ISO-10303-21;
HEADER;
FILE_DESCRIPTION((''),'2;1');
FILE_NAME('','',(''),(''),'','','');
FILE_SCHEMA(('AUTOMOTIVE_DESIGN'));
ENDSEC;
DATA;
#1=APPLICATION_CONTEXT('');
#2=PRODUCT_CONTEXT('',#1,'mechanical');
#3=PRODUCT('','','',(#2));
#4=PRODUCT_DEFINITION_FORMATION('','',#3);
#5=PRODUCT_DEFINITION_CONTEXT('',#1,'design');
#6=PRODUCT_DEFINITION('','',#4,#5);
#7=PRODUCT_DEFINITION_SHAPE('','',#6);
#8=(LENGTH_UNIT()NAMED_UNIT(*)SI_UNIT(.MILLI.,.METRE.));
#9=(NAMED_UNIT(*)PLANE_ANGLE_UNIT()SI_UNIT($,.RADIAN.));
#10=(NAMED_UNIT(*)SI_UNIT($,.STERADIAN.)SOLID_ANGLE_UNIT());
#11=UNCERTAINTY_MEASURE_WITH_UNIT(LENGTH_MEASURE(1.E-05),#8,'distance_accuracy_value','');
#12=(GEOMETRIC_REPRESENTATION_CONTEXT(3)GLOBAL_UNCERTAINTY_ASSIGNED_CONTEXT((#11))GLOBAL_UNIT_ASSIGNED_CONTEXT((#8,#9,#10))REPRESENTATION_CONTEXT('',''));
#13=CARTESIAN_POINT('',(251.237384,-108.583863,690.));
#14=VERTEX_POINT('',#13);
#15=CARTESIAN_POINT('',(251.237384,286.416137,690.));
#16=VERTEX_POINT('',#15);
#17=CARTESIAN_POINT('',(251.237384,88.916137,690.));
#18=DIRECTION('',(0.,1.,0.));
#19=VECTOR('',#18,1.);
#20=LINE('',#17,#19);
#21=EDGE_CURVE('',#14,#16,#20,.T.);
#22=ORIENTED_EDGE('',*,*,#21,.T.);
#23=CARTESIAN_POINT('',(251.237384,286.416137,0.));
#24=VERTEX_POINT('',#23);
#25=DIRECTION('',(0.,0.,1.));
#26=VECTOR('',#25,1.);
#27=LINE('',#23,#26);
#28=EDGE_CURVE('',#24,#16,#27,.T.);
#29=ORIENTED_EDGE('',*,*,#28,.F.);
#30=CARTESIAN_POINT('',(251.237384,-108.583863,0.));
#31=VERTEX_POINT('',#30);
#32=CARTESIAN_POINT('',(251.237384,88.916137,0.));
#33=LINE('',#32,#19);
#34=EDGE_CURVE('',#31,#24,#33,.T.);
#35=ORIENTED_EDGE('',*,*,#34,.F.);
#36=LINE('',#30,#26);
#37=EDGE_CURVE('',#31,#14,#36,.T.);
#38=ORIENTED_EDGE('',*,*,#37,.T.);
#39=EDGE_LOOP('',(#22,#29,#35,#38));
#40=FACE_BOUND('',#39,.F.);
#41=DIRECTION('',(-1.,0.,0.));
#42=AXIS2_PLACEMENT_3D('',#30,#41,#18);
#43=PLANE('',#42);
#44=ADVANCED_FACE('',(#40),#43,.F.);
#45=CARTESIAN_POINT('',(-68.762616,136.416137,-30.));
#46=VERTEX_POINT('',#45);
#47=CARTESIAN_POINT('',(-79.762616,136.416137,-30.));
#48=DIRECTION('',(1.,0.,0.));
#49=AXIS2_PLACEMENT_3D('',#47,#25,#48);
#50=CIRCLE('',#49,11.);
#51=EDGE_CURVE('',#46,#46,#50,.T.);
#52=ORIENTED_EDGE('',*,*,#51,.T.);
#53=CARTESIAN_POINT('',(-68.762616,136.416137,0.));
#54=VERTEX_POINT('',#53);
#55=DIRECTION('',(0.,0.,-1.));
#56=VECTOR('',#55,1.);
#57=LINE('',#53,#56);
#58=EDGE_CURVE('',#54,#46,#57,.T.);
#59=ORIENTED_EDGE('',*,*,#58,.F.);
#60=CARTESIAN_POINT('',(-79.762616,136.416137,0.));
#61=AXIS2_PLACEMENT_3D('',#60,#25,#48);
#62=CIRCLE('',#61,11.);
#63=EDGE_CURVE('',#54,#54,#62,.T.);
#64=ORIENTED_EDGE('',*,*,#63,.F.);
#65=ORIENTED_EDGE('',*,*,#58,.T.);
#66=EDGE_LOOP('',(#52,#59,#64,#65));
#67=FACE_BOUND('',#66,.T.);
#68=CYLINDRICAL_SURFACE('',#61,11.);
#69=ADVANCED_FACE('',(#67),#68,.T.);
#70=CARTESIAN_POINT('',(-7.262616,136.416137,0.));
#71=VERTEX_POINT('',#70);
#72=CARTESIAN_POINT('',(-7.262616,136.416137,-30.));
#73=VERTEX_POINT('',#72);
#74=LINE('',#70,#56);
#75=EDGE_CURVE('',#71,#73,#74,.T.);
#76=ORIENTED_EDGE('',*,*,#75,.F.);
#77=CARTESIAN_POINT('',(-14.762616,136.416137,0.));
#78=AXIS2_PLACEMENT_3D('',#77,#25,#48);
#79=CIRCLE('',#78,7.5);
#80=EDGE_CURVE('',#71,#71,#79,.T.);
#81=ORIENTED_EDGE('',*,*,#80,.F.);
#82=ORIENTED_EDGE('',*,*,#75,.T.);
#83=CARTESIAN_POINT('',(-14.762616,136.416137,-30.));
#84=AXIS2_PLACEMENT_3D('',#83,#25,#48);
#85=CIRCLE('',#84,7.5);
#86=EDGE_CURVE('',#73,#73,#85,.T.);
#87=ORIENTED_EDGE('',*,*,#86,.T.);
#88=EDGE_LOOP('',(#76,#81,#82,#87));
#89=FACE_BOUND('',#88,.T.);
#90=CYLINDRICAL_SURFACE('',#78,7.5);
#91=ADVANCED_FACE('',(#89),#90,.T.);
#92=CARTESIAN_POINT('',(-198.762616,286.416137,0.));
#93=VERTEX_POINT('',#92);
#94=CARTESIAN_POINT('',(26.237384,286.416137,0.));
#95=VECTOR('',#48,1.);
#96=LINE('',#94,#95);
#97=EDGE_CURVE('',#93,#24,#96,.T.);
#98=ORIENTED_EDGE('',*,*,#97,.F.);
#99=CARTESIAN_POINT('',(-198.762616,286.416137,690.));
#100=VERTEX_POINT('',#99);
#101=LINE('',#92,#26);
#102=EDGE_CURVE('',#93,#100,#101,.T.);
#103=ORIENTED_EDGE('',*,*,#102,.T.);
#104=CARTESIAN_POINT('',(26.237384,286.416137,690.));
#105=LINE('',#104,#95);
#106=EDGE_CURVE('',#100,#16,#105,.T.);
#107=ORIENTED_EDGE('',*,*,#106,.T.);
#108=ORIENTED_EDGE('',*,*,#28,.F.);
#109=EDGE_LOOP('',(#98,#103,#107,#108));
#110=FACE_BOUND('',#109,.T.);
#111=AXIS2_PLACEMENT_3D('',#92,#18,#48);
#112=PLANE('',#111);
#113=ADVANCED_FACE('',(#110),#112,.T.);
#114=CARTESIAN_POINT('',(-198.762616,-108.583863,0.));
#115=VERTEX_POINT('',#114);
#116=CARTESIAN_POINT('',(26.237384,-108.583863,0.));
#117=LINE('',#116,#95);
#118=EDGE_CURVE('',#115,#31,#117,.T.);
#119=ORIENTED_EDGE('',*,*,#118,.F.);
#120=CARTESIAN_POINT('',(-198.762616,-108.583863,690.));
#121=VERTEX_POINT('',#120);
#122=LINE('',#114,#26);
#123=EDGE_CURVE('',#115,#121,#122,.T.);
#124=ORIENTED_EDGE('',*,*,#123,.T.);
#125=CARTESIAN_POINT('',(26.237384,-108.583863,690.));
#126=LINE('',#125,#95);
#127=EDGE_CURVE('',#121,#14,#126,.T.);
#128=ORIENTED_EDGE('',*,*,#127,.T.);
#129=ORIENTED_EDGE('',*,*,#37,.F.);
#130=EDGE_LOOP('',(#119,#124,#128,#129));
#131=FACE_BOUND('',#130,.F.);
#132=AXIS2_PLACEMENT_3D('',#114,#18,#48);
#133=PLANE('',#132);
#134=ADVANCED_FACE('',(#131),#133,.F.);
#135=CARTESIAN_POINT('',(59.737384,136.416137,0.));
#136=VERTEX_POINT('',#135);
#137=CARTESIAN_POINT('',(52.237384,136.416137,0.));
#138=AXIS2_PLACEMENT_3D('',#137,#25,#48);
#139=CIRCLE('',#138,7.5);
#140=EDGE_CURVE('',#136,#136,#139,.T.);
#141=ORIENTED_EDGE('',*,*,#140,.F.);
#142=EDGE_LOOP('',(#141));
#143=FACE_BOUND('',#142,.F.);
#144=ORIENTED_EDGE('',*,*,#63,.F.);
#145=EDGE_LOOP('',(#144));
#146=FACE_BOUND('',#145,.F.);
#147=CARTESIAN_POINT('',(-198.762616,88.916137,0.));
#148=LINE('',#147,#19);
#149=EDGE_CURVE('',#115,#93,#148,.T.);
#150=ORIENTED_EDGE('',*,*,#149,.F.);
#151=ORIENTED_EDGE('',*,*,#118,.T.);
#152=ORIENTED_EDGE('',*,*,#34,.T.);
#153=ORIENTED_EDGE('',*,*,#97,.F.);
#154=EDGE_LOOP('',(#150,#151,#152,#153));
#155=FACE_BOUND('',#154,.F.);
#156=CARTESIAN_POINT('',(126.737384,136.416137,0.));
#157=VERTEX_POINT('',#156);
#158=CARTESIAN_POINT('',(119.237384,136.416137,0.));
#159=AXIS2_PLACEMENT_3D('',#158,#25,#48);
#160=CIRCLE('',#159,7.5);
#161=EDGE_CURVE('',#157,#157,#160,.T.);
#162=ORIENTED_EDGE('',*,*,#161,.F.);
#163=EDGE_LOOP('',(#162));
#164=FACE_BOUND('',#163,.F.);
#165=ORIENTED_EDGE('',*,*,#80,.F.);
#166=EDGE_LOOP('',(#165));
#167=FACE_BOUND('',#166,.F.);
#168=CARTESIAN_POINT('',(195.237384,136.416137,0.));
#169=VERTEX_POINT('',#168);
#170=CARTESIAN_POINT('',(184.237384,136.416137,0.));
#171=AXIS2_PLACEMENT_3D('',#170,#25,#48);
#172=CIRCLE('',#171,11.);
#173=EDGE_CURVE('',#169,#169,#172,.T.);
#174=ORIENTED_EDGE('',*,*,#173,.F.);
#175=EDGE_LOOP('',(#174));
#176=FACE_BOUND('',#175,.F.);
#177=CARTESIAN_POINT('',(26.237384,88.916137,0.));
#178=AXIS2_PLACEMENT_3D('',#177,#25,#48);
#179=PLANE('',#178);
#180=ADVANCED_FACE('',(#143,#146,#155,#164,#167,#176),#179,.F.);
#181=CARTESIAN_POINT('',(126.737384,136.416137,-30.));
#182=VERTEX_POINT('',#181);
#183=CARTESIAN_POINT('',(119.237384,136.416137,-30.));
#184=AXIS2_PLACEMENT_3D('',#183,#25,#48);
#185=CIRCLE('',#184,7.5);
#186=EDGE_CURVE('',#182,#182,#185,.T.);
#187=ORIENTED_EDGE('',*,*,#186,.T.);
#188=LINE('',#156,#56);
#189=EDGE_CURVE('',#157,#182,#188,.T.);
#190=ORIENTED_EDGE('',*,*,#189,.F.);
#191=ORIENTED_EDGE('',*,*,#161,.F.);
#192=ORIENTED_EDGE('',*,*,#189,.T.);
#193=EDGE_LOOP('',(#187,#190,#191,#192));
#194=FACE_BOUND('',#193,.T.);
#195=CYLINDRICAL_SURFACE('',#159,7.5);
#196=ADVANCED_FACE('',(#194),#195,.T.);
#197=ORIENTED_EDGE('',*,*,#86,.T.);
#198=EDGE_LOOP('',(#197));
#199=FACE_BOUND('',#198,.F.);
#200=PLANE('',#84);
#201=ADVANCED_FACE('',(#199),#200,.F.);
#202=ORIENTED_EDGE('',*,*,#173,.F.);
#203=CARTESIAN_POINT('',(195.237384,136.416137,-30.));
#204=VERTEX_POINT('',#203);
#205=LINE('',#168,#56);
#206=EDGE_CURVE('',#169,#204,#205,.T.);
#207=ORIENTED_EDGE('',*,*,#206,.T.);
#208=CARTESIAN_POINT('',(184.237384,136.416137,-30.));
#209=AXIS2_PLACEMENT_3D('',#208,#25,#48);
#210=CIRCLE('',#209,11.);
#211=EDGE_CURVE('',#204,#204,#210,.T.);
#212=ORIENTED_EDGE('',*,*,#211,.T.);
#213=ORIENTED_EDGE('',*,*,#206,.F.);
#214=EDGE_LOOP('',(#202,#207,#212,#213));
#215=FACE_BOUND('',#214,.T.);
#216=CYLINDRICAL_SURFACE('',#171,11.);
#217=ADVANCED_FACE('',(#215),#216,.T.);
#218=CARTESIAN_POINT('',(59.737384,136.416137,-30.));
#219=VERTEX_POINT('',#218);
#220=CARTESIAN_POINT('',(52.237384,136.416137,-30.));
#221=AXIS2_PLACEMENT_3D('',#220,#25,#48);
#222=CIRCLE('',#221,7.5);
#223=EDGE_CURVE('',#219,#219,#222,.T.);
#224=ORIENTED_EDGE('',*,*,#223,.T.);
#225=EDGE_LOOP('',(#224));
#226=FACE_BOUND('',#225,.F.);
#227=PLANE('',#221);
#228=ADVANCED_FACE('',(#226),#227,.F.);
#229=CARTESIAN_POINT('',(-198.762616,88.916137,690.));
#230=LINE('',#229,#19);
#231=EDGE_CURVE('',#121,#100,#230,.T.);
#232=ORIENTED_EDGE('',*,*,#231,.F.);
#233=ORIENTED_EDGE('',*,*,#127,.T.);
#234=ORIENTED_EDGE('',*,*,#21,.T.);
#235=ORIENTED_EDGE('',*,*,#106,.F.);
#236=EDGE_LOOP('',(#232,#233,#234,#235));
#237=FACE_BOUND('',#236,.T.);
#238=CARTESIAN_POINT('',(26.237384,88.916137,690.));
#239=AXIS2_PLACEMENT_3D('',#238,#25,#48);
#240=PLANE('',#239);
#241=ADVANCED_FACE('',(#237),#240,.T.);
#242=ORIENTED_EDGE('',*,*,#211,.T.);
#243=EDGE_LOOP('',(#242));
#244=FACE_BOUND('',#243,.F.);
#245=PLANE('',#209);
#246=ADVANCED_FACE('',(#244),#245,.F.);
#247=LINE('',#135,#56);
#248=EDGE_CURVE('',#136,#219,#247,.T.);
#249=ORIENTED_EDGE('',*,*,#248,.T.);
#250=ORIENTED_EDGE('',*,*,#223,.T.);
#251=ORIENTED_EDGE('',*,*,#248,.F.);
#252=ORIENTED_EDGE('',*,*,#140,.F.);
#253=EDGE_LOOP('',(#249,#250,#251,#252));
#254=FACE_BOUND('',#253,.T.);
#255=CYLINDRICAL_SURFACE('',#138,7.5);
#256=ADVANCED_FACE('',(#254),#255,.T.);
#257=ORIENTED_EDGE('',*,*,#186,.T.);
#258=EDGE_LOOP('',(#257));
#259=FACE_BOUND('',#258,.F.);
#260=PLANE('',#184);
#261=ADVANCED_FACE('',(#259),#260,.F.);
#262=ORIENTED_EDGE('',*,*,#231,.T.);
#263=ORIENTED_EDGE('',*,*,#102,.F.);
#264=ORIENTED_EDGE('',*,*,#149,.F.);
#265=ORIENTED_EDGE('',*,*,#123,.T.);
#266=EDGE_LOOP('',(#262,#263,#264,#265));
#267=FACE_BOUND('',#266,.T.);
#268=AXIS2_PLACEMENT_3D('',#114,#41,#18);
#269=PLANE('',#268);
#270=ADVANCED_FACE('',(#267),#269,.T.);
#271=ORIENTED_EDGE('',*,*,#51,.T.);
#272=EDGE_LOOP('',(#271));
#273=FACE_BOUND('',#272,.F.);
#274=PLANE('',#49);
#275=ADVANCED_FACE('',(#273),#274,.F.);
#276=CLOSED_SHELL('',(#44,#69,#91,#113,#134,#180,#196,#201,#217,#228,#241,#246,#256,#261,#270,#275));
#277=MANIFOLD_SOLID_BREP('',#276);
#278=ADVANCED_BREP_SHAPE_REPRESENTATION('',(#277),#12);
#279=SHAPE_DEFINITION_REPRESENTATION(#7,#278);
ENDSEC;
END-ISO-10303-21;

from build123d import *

# Parameters (mm, degrees)
F0_W     = 450
F0_H     = 395
F1_DEPTH = 690
F2_R     = 11
F2_R_2   = 7.5
F3_DEPTH = 30


with BuildPart() as f1:
    # F0 (on Top) → F1 (new body)
    with BuildSketch(Plane.XY):
        with Locations((26.237384, 88.916137)):
            Rectangle(F0_W, F0_H)
    extrude(amount=F1_DEPTH)

    # F2 (on face) → F3 (join)
    with BuildSketch(Plane.XY):
        with Locations((184.237384, 136.416137)):
            Circle(F2_R)
        with Locations((119.237384, 136.416137)):
            Circle(F2_R_2)
        with Locations((52.237384, 136.416137)):
            Circle(F2_R_2)
        with Locations((-14.762616, 136.416137)):
            Circle(F2_R_2)
        with Locations((-79.762616, 136.416137)):
            Circle(F2_R)
    extrude(amount=-F3_DEPTH)


solid = f1.part
